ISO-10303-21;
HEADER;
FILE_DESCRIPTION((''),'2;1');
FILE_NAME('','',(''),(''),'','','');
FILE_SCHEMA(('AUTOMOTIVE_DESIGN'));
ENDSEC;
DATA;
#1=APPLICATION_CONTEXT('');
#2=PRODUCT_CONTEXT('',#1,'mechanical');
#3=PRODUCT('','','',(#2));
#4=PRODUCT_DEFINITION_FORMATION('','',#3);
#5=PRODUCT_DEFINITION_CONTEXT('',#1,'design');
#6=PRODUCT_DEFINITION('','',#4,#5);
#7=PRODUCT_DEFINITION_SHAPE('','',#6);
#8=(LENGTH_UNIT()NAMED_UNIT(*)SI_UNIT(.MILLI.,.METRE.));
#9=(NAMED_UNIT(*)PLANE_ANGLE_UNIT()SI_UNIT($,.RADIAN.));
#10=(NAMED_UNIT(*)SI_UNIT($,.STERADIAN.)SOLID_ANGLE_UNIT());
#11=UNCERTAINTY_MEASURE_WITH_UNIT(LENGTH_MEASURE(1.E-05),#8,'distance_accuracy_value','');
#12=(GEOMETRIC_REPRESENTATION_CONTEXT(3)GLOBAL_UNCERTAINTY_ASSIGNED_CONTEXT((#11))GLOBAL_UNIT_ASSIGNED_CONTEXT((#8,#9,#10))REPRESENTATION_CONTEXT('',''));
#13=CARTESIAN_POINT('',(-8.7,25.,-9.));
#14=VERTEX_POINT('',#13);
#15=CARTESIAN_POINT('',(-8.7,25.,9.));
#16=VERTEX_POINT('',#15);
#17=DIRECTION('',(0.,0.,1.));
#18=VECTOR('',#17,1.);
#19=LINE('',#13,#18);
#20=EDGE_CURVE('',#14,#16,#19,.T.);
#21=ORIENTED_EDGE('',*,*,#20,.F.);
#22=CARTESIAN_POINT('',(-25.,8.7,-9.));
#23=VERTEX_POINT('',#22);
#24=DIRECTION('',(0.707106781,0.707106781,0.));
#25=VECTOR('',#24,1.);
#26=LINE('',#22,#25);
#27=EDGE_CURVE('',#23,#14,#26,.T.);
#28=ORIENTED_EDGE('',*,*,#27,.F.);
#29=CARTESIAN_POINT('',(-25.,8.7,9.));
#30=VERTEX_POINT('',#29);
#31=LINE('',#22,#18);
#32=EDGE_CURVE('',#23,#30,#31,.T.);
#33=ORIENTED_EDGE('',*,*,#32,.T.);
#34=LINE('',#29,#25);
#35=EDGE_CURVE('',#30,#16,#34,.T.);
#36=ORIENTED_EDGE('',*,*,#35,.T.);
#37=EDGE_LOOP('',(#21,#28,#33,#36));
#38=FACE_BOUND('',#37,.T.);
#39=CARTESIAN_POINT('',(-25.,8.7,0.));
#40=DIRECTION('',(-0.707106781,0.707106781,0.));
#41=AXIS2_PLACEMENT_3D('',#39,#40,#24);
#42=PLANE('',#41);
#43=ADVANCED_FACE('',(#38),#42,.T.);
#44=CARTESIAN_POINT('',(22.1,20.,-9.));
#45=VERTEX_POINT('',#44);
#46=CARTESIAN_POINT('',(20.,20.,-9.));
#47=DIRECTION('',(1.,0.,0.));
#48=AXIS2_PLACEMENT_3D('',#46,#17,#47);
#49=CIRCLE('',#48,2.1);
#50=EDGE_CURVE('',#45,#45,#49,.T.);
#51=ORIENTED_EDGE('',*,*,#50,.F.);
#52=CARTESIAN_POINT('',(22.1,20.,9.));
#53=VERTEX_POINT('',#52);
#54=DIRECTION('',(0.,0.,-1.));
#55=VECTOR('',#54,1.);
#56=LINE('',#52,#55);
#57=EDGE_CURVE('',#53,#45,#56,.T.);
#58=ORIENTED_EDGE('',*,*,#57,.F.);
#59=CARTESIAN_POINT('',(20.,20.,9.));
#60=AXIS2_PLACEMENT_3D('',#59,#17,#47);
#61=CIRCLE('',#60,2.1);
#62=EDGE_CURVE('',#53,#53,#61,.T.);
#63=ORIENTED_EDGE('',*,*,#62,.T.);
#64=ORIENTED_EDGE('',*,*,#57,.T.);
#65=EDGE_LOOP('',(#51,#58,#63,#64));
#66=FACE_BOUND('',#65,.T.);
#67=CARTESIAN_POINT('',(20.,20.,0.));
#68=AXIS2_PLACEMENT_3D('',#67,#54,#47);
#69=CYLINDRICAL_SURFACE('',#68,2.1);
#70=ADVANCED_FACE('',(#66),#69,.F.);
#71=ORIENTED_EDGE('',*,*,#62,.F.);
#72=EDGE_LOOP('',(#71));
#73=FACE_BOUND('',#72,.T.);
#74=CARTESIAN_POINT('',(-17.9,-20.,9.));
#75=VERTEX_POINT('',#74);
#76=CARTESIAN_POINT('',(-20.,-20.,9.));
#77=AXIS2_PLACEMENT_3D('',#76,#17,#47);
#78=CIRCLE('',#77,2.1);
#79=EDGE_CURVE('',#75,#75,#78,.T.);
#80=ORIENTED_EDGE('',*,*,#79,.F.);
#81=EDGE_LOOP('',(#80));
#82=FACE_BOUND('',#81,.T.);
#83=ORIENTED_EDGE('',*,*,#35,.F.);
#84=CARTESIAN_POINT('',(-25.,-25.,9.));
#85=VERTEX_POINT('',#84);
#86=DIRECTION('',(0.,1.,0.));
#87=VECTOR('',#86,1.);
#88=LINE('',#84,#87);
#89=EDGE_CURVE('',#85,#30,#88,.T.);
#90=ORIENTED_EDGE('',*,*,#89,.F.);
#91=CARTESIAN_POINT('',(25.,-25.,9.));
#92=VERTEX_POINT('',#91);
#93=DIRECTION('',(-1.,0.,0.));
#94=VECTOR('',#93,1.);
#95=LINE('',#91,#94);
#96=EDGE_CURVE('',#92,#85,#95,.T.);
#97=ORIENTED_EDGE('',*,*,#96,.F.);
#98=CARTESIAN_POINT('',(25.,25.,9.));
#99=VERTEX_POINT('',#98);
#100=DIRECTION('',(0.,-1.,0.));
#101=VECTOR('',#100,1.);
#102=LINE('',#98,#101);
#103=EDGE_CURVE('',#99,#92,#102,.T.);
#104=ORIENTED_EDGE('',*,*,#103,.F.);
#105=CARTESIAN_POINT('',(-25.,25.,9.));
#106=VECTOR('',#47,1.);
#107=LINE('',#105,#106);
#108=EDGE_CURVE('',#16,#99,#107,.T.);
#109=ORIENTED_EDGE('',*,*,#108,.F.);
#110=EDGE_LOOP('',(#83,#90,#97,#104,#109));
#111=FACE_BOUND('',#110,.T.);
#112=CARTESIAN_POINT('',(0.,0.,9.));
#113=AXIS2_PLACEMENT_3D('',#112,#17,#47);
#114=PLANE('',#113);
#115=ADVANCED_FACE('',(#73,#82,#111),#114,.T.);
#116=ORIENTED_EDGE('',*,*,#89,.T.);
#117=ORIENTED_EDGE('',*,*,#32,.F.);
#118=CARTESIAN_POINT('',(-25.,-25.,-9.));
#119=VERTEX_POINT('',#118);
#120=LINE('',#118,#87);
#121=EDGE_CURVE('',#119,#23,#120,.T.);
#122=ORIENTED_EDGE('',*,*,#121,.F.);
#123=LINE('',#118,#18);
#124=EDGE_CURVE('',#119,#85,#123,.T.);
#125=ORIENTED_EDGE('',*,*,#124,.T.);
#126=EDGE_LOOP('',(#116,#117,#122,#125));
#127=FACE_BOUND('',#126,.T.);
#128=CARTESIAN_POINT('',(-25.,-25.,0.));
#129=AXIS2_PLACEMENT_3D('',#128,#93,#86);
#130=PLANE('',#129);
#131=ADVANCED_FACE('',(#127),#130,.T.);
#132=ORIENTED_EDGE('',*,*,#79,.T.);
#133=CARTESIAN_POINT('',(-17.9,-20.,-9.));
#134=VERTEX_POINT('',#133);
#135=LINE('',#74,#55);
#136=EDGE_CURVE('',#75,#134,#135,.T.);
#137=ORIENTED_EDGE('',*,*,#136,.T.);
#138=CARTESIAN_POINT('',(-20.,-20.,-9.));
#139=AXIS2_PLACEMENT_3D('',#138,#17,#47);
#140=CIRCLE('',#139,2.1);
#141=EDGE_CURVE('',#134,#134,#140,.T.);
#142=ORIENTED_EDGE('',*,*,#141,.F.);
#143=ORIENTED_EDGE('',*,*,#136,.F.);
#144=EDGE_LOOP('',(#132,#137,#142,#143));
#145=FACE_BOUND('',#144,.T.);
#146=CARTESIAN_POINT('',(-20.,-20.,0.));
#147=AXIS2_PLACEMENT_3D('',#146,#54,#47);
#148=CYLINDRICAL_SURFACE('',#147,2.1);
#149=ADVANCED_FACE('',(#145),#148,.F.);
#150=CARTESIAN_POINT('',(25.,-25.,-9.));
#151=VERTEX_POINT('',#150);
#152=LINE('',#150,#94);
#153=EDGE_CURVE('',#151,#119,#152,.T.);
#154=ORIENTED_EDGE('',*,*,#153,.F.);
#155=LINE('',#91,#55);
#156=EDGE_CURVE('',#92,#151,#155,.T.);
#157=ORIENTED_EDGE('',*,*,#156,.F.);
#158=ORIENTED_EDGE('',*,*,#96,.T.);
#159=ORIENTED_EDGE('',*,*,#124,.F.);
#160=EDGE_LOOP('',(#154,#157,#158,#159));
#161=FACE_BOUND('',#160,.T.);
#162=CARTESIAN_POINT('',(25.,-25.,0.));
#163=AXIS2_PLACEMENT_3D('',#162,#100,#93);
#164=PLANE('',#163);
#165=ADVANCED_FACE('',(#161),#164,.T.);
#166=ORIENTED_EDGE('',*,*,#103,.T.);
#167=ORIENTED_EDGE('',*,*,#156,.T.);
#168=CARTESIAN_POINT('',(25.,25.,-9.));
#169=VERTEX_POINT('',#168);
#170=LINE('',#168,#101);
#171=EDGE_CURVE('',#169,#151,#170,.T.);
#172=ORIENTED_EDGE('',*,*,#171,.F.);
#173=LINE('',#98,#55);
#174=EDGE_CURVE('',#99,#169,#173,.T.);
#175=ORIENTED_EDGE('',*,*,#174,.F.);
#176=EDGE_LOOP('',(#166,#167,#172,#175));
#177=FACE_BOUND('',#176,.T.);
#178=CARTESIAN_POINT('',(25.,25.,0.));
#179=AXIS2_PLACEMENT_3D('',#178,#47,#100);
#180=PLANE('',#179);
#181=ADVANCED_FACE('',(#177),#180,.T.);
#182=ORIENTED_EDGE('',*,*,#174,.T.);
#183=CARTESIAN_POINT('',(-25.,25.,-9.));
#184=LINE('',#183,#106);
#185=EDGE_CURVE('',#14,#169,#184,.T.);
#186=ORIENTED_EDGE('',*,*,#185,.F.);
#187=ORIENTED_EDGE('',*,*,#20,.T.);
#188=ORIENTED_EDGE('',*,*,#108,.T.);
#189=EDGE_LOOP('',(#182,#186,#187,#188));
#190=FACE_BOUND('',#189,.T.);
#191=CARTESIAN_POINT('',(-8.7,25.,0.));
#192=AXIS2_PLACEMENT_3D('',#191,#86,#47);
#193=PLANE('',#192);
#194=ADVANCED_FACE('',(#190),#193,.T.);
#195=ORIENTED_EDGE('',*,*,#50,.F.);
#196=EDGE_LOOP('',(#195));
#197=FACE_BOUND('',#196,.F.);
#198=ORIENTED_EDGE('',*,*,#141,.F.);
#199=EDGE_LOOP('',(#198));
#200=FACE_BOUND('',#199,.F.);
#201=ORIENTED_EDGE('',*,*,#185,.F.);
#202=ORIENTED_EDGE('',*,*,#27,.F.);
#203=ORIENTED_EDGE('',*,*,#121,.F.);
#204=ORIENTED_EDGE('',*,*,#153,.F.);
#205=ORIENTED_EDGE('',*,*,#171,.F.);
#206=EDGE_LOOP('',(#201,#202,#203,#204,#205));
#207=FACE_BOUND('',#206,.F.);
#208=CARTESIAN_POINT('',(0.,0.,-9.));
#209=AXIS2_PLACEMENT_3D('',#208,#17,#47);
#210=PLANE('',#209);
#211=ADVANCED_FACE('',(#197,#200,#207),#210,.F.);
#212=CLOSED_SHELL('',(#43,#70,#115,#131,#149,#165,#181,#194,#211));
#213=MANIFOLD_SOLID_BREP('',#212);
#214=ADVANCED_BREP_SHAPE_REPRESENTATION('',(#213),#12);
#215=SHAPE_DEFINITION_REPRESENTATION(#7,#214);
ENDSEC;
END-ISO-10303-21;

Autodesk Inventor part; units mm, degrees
ref_plane "YZ Plane" through (0, 0, 0) normal (1, 0, 0) x (0, 1, 0)
ref_plane "XZ Plane" through (0, 0, 0) normal (0, 1, 0) x (-1, 0, 0)
ref_plane "XY Plane" through (0, 0, 0) normal (0, 0, 1) x (1, 0, 0)
sketch "Náčrt1" plane through (0, 0, 0) normal (0, 0, 1) x (1, 0, 0)
  line L0 (-25, 25) -> (25, 25)
  line L1 (25, 25) -> (25, -25)
  line L2 (25, -25) -> (-25, -25)
  line L3 (-25, -25) -> (-25, 25)
  line L4 (-25, 25) -> (25, -25) construction
  line L5 (25, 25) -> (-25, -25) construction
  line L6 (-25, 8.7) -> (-8.7, 25)
  circle A0 centre (-20, -20) radius 2.1
  circle A1 centre (20, 20) radius 2.1
  point P0 (0, 0)
  dimension "d0" = 50
  dimension "d1" = 50
  dimension "d2" = 33.7
  dimension "d3" = 45
  dimension "d4" = 4.2
  dimension "d6" = 5
  dimension "d7" = 5
extrude "Vysunutí1" add sketch "Náčrt1" along normal mid plane 18 contours L0 L1 L2 L3 L6
properties part number "Sensor"
